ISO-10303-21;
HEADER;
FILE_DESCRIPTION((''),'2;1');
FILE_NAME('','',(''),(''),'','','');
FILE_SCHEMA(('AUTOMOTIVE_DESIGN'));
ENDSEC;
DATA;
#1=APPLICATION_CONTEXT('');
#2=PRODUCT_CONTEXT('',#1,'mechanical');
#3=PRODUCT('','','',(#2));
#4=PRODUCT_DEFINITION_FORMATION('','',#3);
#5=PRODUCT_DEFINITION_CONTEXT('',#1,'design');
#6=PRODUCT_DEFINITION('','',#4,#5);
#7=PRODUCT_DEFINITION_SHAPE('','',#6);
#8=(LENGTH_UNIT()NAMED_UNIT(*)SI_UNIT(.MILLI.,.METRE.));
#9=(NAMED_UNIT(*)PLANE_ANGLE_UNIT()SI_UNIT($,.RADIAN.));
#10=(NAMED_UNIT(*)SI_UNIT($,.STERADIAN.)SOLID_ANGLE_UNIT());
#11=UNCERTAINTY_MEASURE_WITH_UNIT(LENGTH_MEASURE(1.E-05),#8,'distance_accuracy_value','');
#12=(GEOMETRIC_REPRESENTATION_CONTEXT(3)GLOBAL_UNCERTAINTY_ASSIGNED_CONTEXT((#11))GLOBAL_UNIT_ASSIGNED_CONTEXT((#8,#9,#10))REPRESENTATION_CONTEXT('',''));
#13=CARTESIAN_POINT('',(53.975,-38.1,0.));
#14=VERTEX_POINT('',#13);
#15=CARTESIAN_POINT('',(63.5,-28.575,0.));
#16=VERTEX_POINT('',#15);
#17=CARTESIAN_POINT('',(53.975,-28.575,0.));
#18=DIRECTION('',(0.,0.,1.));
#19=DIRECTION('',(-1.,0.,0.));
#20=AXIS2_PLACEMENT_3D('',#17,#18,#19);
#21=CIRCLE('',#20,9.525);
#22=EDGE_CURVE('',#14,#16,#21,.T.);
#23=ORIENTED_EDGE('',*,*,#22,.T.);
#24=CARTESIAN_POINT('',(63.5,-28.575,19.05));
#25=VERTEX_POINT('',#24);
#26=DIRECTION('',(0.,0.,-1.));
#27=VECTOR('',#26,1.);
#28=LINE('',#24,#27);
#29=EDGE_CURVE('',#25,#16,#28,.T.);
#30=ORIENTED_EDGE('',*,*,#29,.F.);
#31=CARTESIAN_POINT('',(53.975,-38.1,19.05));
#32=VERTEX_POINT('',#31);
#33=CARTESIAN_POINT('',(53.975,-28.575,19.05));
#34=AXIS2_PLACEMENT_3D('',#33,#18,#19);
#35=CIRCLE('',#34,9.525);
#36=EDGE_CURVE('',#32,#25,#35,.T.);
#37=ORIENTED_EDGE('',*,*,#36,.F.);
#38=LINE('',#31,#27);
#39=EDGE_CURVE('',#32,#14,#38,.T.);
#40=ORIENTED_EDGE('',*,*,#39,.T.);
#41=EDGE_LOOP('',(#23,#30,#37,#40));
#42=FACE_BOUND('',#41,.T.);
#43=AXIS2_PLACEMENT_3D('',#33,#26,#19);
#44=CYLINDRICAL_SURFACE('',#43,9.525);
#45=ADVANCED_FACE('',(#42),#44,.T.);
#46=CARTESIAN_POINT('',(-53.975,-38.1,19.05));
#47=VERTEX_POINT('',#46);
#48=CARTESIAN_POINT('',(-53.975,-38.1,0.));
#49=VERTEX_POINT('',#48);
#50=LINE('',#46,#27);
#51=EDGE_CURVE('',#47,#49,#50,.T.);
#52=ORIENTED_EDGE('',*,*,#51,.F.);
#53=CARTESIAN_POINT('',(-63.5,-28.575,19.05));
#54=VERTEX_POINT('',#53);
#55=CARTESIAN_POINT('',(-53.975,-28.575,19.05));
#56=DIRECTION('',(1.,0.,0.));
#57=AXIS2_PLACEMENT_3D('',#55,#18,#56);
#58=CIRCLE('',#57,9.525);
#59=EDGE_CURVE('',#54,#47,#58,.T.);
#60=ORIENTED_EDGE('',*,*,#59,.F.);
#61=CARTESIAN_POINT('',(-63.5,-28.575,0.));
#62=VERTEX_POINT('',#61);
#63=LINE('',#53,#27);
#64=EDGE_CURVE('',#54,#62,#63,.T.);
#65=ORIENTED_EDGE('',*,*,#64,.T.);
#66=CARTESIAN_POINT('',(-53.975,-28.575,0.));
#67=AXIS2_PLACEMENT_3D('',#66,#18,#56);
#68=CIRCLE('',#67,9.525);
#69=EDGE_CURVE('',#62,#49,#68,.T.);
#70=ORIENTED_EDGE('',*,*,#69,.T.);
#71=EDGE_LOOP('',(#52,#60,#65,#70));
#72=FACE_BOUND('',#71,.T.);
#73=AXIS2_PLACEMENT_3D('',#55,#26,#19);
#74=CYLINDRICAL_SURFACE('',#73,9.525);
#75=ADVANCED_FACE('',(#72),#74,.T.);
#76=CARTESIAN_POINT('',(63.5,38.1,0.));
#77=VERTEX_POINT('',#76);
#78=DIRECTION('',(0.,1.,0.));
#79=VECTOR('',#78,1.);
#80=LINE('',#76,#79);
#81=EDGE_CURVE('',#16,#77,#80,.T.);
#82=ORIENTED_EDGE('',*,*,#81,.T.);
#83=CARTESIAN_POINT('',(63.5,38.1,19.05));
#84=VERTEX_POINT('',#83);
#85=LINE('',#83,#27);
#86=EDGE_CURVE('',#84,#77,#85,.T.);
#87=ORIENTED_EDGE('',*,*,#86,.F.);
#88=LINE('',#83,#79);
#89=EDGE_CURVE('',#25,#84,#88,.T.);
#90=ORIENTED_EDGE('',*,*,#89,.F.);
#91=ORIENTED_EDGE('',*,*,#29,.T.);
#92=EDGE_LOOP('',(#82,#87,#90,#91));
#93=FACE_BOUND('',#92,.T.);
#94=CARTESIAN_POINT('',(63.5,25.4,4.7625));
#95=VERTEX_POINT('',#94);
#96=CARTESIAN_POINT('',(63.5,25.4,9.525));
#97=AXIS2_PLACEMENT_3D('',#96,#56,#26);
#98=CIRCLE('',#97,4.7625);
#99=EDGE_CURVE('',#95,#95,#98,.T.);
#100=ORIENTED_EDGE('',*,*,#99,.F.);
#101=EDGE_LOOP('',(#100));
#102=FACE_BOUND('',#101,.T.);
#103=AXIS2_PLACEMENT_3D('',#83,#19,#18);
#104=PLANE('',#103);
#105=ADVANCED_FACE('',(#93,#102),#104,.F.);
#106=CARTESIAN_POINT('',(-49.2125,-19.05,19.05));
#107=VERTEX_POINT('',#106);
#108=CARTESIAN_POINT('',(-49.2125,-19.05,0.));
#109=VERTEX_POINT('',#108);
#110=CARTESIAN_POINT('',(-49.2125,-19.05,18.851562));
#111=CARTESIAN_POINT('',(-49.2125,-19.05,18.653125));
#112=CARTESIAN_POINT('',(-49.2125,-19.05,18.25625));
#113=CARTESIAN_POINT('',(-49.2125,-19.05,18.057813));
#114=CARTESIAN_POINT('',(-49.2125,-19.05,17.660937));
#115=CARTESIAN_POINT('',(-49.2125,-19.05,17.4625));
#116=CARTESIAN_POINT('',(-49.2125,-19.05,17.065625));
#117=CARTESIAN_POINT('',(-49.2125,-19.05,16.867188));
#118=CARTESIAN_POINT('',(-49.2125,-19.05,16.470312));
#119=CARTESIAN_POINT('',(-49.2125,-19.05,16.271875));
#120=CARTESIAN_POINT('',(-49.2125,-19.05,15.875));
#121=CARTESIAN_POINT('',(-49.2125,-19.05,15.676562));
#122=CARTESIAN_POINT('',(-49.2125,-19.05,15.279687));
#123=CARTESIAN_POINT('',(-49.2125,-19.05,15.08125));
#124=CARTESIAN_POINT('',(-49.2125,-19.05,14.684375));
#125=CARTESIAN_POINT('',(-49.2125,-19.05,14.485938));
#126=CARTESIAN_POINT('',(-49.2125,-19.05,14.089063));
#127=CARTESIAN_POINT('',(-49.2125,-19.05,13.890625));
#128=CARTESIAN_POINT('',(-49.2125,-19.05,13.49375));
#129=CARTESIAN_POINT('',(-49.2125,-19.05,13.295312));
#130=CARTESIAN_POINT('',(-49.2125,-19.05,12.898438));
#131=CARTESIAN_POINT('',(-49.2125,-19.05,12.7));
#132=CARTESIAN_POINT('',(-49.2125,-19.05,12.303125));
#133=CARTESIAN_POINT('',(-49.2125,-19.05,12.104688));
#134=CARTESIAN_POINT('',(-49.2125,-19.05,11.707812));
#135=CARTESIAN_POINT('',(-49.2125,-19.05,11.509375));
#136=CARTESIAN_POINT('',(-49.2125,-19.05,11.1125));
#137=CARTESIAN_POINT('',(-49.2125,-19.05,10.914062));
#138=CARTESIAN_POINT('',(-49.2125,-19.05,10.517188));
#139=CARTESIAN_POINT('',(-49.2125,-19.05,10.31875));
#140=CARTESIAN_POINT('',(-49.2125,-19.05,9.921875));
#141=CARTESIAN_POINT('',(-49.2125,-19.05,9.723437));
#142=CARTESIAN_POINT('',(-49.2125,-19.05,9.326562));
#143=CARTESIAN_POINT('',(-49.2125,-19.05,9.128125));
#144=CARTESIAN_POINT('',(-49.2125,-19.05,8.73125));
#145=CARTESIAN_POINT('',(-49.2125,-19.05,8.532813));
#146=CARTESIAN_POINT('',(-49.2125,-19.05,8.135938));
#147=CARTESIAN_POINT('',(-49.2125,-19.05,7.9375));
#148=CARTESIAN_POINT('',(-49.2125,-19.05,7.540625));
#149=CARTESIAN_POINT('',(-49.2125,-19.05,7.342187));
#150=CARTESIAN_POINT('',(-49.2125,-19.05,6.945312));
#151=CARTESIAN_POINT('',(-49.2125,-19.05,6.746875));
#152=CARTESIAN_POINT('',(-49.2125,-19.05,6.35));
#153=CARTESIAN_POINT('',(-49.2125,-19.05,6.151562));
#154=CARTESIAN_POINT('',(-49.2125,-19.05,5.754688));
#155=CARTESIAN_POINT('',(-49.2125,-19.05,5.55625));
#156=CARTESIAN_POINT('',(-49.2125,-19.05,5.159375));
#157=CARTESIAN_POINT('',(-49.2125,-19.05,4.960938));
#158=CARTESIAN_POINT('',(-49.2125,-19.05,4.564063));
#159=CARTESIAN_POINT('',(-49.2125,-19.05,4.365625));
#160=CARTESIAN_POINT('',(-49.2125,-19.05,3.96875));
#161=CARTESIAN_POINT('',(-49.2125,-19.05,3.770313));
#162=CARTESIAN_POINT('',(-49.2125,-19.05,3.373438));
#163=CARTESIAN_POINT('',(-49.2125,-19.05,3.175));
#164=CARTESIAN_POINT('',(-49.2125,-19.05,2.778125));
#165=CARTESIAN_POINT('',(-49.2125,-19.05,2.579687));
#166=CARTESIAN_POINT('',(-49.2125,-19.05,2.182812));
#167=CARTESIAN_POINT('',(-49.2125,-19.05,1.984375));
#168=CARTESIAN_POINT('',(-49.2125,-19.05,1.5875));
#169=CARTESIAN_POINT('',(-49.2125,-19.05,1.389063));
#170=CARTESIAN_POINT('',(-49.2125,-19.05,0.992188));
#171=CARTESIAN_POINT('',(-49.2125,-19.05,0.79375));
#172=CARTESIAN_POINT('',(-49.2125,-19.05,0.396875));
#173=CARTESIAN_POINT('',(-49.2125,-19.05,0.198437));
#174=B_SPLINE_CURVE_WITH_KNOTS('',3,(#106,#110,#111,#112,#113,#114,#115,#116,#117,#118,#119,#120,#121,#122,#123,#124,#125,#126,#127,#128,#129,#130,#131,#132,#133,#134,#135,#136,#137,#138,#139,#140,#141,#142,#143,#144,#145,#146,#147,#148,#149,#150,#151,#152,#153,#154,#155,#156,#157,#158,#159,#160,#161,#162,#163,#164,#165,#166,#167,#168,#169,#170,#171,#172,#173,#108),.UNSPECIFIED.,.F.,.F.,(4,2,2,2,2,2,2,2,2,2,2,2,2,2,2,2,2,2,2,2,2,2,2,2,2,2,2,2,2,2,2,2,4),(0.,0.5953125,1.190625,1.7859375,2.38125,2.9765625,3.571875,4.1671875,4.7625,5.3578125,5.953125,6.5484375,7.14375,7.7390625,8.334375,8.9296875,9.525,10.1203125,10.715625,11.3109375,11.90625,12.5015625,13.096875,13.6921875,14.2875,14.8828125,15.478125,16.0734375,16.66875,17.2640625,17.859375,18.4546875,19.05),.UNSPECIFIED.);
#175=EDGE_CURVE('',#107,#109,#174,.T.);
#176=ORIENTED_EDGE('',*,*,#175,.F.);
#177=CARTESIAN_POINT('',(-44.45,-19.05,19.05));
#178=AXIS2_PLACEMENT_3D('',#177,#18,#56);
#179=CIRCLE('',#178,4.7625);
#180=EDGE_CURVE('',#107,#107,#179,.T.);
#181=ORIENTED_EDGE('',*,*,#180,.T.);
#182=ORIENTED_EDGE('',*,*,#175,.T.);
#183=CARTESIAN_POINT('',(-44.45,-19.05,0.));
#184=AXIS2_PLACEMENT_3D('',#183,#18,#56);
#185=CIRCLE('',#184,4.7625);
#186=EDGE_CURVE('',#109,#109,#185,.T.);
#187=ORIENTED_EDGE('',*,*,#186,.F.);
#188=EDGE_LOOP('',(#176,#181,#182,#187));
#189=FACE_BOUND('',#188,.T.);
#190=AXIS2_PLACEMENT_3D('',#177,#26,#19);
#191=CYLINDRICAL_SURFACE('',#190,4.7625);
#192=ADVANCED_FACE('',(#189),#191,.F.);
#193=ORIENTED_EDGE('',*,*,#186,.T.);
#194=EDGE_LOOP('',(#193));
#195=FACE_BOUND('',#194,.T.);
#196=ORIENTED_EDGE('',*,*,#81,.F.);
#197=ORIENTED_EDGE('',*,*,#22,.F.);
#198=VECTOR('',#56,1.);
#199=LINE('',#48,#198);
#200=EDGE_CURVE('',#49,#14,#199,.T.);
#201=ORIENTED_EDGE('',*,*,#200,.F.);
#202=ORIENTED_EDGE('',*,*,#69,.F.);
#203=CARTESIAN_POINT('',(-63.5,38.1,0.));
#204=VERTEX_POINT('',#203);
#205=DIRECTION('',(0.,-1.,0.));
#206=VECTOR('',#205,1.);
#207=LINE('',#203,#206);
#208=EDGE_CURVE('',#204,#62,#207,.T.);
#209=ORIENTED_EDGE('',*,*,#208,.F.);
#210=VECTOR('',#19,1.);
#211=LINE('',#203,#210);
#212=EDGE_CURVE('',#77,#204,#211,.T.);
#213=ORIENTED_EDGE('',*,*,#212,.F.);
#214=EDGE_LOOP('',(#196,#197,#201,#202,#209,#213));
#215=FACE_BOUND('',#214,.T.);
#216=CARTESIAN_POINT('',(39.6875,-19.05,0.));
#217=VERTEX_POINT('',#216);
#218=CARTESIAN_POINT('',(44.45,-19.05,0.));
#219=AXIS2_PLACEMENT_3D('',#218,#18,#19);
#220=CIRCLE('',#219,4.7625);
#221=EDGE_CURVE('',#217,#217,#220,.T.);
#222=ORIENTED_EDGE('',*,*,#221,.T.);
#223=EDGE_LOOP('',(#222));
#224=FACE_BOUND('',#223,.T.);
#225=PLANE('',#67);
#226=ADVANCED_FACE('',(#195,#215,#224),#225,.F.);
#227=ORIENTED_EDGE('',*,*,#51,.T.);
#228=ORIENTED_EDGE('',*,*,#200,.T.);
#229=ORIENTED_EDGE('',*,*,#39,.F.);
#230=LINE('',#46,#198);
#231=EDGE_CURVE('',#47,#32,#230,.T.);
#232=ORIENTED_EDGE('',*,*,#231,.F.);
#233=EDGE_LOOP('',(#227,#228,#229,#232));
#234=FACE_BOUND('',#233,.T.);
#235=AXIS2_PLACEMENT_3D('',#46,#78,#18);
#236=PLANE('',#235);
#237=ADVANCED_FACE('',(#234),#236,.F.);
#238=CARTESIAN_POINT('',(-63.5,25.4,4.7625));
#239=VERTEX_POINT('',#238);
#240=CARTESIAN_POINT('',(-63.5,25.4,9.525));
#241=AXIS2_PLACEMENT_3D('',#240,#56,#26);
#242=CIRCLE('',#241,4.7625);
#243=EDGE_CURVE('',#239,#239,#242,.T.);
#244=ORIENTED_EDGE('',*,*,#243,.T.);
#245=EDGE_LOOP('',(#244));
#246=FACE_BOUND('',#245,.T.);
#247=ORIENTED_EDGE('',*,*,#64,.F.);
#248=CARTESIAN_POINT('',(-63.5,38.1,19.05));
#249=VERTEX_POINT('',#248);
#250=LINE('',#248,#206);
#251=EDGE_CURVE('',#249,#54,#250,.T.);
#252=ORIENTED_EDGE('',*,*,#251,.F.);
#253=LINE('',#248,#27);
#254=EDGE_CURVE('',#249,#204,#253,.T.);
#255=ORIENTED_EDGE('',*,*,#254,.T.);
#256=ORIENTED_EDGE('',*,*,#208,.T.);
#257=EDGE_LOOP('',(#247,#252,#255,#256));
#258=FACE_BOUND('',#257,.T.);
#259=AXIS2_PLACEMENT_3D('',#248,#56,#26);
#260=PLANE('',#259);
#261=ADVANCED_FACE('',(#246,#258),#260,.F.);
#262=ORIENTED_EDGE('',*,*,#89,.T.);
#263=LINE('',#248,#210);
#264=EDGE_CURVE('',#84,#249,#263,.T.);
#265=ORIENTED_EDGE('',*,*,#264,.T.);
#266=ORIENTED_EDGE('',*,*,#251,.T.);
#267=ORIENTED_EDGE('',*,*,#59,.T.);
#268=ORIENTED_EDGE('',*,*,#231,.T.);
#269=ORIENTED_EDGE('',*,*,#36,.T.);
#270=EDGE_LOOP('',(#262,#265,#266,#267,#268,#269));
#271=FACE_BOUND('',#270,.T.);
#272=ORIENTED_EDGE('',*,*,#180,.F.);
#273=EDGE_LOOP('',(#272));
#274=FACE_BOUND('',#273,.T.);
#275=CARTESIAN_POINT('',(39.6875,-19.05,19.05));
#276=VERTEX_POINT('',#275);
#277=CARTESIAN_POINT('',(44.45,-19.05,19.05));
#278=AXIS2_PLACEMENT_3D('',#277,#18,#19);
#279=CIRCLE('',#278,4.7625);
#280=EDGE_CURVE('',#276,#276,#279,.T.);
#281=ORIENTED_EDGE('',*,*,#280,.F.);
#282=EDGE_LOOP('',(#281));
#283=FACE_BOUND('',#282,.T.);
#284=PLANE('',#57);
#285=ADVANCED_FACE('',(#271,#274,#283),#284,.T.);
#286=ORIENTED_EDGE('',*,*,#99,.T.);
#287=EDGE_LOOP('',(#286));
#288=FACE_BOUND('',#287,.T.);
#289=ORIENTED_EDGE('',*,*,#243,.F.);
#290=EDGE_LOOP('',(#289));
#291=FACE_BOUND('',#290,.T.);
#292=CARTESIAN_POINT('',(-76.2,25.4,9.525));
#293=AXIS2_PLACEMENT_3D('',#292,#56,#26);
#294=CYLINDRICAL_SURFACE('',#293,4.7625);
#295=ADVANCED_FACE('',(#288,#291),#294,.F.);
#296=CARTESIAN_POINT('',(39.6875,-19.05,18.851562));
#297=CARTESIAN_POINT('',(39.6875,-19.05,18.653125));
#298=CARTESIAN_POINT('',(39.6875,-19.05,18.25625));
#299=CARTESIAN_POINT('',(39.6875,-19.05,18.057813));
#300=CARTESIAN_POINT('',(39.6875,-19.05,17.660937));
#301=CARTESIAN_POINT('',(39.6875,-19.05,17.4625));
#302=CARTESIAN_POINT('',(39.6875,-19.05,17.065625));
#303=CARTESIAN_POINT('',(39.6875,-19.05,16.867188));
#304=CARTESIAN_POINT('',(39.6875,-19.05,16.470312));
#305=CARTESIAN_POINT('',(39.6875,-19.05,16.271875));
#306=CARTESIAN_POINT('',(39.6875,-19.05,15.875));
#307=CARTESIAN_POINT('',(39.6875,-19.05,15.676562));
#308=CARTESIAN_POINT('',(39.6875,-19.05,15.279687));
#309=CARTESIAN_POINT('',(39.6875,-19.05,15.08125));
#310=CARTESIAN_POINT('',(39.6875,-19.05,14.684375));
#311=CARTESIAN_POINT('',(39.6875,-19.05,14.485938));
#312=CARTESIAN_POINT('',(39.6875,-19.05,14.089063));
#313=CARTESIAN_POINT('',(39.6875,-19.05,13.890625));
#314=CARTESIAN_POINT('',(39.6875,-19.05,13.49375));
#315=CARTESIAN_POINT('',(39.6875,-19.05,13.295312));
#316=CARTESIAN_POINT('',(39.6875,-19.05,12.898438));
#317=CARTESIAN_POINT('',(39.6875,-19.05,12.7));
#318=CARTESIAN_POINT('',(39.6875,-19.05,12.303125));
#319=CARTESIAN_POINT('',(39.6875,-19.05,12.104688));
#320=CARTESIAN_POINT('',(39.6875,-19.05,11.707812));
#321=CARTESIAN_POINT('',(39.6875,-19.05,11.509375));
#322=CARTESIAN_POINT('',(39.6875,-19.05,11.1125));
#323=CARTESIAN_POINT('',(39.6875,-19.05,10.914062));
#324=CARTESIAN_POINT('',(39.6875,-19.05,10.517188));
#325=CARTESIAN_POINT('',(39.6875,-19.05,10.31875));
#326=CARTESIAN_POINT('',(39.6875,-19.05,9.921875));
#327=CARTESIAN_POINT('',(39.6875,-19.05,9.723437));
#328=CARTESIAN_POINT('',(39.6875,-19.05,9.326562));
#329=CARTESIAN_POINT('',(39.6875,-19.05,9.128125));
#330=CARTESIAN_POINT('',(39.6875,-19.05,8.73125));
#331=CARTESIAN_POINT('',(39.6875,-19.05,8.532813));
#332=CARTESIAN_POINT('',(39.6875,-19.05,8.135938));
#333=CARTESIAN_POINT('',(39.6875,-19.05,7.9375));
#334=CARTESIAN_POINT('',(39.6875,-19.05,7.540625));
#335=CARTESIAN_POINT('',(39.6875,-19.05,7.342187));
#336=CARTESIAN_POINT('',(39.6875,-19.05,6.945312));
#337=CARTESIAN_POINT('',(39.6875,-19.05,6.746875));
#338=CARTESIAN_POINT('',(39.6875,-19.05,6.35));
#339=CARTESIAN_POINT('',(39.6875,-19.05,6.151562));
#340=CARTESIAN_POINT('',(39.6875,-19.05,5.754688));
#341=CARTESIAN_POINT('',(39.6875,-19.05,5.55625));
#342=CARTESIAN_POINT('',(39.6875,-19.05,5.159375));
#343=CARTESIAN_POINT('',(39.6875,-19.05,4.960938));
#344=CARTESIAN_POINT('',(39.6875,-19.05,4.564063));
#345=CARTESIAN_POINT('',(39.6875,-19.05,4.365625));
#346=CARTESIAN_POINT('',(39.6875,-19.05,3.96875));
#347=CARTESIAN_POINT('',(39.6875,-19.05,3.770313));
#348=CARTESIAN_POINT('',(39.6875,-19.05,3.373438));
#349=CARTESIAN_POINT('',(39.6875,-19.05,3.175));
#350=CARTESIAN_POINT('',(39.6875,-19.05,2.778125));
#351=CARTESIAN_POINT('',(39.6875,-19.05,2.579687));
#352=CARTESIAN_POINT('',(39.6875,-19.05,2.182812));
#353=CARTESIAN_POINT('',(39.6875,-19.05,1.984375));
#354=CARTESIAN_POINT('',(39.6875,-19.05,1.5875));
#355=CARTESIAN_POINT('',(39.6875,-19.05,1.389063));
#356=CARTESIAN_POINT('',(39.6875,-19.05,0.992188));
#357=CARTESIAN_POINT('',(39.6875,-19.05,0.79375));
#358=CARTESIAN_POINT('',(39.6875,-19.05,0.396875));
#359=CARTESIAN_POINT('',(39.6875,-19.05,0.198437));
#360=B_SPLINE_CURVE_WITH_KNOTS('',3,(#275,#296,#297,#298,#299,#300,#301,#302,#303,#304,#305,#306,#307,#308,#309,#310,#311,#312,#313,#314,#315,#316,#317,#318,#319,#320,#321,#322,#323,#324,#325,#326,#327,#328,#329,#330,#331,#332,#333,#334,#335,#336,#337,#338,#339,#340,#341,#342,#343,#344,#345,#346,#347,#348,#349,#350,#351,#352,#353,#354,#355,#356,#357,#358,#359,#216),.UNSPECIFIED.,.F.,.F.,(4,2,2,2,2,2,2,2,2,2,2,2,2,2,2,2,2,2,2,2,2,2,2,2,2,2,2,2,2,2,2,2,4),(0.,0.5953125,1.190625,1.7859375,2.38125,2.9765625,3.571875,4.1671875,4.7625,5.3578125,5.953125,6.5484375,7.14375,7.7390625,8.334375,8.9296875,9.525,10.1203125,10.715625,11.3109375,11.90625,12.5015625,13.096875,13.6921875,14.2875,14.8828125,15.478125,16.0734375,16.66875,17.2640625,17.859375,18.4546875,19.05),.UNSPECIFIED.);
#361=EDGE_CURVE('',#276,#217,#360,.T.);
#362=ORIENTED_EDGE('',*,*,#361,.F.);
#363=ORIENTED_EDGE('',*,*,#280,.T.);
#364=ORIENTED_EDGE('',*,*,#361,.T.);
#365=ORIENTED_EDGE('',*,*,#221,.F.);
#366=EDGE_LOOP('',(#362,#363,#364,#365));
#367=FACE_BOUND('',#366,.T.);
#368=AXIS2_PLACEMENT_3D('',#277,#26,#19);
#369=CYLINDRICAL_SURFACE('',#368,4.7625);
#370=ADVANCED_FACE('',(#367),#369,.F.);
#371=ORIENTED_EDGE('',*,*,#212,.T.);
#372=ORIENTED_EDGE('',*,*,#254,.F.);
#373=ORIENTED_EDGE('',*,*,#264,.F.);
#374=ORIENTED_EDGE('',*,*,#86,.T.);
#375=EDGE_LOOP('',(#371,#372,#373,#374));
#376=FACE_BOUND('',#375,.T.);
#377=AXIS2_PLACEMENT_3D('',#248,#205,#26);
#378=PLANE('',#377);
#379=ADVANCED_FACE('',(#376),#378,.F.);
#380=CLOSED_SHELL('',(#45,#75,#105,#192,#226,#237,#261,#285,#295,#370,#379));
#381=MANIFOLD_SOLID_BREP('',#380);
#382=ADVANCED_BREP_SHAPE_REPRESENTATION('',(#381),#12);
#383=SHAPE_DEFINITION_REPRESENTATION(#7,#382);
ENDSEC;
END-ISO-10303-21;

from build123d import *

# Parameters (mm, degrees)
SKETCH2_R           = 4.7625
BOSS_EXTRUDE1_DEPTH = 19.05
SKETCH3_R           = 4.7625
CUT_EXTRUDE1_DEPTH  = 139.7


with BuildPart() as part:
    # Sketch2 → Boss-Extrude1 (new body)
    with BuildSketch(Plane.XY):
        with BuildLine():
            Line((-63.5, 38.1), (63.5, 38.1))
            Line((63.5, 38.1), (63.5, -28.575))
            ThreePointArc((63.5, -28.575), (60.710192091, -35.310192091), (53.975, -38.1))
            Line((53.975, -38.1), (-53.975, -38.1))
            ThreePointArc((-53.975, -38.1), (-60.710192091, -35.310192091), (-63.5, -28.575))
            Line((-63.5, -28.575), (-63.5, 38.1))
        make_face()
        with Locations(Location((-44.45, -19.05, 0), (0, 0, 180))):
            Circle(SKETCH2_R, mode=Mode.SUBTRACT)
        with Locations(Location((44.45, -19.05, 0), (0, 0, 180))):
            Circle(SKETCH2_R, mode=Mode.SUBTRACT)
    extrude(amount=BOSS_EXTRUDE1_DEPTH)

    # Sketch3 → Cut-Extrude1 (cut)
    with BuildSketch(Plane(origin=(63.5, 0, 0), x_dir=(0, 0, -1), z_dir=(1, 0, 0))):
        with Locations((-9.525, 25.4)):
            Circle(SKETCH3_R)
    extrude(amount=-CUT_EXTRUDE1_DEPTH, mode=Mode.SUBTRACT)


solid = part.part
